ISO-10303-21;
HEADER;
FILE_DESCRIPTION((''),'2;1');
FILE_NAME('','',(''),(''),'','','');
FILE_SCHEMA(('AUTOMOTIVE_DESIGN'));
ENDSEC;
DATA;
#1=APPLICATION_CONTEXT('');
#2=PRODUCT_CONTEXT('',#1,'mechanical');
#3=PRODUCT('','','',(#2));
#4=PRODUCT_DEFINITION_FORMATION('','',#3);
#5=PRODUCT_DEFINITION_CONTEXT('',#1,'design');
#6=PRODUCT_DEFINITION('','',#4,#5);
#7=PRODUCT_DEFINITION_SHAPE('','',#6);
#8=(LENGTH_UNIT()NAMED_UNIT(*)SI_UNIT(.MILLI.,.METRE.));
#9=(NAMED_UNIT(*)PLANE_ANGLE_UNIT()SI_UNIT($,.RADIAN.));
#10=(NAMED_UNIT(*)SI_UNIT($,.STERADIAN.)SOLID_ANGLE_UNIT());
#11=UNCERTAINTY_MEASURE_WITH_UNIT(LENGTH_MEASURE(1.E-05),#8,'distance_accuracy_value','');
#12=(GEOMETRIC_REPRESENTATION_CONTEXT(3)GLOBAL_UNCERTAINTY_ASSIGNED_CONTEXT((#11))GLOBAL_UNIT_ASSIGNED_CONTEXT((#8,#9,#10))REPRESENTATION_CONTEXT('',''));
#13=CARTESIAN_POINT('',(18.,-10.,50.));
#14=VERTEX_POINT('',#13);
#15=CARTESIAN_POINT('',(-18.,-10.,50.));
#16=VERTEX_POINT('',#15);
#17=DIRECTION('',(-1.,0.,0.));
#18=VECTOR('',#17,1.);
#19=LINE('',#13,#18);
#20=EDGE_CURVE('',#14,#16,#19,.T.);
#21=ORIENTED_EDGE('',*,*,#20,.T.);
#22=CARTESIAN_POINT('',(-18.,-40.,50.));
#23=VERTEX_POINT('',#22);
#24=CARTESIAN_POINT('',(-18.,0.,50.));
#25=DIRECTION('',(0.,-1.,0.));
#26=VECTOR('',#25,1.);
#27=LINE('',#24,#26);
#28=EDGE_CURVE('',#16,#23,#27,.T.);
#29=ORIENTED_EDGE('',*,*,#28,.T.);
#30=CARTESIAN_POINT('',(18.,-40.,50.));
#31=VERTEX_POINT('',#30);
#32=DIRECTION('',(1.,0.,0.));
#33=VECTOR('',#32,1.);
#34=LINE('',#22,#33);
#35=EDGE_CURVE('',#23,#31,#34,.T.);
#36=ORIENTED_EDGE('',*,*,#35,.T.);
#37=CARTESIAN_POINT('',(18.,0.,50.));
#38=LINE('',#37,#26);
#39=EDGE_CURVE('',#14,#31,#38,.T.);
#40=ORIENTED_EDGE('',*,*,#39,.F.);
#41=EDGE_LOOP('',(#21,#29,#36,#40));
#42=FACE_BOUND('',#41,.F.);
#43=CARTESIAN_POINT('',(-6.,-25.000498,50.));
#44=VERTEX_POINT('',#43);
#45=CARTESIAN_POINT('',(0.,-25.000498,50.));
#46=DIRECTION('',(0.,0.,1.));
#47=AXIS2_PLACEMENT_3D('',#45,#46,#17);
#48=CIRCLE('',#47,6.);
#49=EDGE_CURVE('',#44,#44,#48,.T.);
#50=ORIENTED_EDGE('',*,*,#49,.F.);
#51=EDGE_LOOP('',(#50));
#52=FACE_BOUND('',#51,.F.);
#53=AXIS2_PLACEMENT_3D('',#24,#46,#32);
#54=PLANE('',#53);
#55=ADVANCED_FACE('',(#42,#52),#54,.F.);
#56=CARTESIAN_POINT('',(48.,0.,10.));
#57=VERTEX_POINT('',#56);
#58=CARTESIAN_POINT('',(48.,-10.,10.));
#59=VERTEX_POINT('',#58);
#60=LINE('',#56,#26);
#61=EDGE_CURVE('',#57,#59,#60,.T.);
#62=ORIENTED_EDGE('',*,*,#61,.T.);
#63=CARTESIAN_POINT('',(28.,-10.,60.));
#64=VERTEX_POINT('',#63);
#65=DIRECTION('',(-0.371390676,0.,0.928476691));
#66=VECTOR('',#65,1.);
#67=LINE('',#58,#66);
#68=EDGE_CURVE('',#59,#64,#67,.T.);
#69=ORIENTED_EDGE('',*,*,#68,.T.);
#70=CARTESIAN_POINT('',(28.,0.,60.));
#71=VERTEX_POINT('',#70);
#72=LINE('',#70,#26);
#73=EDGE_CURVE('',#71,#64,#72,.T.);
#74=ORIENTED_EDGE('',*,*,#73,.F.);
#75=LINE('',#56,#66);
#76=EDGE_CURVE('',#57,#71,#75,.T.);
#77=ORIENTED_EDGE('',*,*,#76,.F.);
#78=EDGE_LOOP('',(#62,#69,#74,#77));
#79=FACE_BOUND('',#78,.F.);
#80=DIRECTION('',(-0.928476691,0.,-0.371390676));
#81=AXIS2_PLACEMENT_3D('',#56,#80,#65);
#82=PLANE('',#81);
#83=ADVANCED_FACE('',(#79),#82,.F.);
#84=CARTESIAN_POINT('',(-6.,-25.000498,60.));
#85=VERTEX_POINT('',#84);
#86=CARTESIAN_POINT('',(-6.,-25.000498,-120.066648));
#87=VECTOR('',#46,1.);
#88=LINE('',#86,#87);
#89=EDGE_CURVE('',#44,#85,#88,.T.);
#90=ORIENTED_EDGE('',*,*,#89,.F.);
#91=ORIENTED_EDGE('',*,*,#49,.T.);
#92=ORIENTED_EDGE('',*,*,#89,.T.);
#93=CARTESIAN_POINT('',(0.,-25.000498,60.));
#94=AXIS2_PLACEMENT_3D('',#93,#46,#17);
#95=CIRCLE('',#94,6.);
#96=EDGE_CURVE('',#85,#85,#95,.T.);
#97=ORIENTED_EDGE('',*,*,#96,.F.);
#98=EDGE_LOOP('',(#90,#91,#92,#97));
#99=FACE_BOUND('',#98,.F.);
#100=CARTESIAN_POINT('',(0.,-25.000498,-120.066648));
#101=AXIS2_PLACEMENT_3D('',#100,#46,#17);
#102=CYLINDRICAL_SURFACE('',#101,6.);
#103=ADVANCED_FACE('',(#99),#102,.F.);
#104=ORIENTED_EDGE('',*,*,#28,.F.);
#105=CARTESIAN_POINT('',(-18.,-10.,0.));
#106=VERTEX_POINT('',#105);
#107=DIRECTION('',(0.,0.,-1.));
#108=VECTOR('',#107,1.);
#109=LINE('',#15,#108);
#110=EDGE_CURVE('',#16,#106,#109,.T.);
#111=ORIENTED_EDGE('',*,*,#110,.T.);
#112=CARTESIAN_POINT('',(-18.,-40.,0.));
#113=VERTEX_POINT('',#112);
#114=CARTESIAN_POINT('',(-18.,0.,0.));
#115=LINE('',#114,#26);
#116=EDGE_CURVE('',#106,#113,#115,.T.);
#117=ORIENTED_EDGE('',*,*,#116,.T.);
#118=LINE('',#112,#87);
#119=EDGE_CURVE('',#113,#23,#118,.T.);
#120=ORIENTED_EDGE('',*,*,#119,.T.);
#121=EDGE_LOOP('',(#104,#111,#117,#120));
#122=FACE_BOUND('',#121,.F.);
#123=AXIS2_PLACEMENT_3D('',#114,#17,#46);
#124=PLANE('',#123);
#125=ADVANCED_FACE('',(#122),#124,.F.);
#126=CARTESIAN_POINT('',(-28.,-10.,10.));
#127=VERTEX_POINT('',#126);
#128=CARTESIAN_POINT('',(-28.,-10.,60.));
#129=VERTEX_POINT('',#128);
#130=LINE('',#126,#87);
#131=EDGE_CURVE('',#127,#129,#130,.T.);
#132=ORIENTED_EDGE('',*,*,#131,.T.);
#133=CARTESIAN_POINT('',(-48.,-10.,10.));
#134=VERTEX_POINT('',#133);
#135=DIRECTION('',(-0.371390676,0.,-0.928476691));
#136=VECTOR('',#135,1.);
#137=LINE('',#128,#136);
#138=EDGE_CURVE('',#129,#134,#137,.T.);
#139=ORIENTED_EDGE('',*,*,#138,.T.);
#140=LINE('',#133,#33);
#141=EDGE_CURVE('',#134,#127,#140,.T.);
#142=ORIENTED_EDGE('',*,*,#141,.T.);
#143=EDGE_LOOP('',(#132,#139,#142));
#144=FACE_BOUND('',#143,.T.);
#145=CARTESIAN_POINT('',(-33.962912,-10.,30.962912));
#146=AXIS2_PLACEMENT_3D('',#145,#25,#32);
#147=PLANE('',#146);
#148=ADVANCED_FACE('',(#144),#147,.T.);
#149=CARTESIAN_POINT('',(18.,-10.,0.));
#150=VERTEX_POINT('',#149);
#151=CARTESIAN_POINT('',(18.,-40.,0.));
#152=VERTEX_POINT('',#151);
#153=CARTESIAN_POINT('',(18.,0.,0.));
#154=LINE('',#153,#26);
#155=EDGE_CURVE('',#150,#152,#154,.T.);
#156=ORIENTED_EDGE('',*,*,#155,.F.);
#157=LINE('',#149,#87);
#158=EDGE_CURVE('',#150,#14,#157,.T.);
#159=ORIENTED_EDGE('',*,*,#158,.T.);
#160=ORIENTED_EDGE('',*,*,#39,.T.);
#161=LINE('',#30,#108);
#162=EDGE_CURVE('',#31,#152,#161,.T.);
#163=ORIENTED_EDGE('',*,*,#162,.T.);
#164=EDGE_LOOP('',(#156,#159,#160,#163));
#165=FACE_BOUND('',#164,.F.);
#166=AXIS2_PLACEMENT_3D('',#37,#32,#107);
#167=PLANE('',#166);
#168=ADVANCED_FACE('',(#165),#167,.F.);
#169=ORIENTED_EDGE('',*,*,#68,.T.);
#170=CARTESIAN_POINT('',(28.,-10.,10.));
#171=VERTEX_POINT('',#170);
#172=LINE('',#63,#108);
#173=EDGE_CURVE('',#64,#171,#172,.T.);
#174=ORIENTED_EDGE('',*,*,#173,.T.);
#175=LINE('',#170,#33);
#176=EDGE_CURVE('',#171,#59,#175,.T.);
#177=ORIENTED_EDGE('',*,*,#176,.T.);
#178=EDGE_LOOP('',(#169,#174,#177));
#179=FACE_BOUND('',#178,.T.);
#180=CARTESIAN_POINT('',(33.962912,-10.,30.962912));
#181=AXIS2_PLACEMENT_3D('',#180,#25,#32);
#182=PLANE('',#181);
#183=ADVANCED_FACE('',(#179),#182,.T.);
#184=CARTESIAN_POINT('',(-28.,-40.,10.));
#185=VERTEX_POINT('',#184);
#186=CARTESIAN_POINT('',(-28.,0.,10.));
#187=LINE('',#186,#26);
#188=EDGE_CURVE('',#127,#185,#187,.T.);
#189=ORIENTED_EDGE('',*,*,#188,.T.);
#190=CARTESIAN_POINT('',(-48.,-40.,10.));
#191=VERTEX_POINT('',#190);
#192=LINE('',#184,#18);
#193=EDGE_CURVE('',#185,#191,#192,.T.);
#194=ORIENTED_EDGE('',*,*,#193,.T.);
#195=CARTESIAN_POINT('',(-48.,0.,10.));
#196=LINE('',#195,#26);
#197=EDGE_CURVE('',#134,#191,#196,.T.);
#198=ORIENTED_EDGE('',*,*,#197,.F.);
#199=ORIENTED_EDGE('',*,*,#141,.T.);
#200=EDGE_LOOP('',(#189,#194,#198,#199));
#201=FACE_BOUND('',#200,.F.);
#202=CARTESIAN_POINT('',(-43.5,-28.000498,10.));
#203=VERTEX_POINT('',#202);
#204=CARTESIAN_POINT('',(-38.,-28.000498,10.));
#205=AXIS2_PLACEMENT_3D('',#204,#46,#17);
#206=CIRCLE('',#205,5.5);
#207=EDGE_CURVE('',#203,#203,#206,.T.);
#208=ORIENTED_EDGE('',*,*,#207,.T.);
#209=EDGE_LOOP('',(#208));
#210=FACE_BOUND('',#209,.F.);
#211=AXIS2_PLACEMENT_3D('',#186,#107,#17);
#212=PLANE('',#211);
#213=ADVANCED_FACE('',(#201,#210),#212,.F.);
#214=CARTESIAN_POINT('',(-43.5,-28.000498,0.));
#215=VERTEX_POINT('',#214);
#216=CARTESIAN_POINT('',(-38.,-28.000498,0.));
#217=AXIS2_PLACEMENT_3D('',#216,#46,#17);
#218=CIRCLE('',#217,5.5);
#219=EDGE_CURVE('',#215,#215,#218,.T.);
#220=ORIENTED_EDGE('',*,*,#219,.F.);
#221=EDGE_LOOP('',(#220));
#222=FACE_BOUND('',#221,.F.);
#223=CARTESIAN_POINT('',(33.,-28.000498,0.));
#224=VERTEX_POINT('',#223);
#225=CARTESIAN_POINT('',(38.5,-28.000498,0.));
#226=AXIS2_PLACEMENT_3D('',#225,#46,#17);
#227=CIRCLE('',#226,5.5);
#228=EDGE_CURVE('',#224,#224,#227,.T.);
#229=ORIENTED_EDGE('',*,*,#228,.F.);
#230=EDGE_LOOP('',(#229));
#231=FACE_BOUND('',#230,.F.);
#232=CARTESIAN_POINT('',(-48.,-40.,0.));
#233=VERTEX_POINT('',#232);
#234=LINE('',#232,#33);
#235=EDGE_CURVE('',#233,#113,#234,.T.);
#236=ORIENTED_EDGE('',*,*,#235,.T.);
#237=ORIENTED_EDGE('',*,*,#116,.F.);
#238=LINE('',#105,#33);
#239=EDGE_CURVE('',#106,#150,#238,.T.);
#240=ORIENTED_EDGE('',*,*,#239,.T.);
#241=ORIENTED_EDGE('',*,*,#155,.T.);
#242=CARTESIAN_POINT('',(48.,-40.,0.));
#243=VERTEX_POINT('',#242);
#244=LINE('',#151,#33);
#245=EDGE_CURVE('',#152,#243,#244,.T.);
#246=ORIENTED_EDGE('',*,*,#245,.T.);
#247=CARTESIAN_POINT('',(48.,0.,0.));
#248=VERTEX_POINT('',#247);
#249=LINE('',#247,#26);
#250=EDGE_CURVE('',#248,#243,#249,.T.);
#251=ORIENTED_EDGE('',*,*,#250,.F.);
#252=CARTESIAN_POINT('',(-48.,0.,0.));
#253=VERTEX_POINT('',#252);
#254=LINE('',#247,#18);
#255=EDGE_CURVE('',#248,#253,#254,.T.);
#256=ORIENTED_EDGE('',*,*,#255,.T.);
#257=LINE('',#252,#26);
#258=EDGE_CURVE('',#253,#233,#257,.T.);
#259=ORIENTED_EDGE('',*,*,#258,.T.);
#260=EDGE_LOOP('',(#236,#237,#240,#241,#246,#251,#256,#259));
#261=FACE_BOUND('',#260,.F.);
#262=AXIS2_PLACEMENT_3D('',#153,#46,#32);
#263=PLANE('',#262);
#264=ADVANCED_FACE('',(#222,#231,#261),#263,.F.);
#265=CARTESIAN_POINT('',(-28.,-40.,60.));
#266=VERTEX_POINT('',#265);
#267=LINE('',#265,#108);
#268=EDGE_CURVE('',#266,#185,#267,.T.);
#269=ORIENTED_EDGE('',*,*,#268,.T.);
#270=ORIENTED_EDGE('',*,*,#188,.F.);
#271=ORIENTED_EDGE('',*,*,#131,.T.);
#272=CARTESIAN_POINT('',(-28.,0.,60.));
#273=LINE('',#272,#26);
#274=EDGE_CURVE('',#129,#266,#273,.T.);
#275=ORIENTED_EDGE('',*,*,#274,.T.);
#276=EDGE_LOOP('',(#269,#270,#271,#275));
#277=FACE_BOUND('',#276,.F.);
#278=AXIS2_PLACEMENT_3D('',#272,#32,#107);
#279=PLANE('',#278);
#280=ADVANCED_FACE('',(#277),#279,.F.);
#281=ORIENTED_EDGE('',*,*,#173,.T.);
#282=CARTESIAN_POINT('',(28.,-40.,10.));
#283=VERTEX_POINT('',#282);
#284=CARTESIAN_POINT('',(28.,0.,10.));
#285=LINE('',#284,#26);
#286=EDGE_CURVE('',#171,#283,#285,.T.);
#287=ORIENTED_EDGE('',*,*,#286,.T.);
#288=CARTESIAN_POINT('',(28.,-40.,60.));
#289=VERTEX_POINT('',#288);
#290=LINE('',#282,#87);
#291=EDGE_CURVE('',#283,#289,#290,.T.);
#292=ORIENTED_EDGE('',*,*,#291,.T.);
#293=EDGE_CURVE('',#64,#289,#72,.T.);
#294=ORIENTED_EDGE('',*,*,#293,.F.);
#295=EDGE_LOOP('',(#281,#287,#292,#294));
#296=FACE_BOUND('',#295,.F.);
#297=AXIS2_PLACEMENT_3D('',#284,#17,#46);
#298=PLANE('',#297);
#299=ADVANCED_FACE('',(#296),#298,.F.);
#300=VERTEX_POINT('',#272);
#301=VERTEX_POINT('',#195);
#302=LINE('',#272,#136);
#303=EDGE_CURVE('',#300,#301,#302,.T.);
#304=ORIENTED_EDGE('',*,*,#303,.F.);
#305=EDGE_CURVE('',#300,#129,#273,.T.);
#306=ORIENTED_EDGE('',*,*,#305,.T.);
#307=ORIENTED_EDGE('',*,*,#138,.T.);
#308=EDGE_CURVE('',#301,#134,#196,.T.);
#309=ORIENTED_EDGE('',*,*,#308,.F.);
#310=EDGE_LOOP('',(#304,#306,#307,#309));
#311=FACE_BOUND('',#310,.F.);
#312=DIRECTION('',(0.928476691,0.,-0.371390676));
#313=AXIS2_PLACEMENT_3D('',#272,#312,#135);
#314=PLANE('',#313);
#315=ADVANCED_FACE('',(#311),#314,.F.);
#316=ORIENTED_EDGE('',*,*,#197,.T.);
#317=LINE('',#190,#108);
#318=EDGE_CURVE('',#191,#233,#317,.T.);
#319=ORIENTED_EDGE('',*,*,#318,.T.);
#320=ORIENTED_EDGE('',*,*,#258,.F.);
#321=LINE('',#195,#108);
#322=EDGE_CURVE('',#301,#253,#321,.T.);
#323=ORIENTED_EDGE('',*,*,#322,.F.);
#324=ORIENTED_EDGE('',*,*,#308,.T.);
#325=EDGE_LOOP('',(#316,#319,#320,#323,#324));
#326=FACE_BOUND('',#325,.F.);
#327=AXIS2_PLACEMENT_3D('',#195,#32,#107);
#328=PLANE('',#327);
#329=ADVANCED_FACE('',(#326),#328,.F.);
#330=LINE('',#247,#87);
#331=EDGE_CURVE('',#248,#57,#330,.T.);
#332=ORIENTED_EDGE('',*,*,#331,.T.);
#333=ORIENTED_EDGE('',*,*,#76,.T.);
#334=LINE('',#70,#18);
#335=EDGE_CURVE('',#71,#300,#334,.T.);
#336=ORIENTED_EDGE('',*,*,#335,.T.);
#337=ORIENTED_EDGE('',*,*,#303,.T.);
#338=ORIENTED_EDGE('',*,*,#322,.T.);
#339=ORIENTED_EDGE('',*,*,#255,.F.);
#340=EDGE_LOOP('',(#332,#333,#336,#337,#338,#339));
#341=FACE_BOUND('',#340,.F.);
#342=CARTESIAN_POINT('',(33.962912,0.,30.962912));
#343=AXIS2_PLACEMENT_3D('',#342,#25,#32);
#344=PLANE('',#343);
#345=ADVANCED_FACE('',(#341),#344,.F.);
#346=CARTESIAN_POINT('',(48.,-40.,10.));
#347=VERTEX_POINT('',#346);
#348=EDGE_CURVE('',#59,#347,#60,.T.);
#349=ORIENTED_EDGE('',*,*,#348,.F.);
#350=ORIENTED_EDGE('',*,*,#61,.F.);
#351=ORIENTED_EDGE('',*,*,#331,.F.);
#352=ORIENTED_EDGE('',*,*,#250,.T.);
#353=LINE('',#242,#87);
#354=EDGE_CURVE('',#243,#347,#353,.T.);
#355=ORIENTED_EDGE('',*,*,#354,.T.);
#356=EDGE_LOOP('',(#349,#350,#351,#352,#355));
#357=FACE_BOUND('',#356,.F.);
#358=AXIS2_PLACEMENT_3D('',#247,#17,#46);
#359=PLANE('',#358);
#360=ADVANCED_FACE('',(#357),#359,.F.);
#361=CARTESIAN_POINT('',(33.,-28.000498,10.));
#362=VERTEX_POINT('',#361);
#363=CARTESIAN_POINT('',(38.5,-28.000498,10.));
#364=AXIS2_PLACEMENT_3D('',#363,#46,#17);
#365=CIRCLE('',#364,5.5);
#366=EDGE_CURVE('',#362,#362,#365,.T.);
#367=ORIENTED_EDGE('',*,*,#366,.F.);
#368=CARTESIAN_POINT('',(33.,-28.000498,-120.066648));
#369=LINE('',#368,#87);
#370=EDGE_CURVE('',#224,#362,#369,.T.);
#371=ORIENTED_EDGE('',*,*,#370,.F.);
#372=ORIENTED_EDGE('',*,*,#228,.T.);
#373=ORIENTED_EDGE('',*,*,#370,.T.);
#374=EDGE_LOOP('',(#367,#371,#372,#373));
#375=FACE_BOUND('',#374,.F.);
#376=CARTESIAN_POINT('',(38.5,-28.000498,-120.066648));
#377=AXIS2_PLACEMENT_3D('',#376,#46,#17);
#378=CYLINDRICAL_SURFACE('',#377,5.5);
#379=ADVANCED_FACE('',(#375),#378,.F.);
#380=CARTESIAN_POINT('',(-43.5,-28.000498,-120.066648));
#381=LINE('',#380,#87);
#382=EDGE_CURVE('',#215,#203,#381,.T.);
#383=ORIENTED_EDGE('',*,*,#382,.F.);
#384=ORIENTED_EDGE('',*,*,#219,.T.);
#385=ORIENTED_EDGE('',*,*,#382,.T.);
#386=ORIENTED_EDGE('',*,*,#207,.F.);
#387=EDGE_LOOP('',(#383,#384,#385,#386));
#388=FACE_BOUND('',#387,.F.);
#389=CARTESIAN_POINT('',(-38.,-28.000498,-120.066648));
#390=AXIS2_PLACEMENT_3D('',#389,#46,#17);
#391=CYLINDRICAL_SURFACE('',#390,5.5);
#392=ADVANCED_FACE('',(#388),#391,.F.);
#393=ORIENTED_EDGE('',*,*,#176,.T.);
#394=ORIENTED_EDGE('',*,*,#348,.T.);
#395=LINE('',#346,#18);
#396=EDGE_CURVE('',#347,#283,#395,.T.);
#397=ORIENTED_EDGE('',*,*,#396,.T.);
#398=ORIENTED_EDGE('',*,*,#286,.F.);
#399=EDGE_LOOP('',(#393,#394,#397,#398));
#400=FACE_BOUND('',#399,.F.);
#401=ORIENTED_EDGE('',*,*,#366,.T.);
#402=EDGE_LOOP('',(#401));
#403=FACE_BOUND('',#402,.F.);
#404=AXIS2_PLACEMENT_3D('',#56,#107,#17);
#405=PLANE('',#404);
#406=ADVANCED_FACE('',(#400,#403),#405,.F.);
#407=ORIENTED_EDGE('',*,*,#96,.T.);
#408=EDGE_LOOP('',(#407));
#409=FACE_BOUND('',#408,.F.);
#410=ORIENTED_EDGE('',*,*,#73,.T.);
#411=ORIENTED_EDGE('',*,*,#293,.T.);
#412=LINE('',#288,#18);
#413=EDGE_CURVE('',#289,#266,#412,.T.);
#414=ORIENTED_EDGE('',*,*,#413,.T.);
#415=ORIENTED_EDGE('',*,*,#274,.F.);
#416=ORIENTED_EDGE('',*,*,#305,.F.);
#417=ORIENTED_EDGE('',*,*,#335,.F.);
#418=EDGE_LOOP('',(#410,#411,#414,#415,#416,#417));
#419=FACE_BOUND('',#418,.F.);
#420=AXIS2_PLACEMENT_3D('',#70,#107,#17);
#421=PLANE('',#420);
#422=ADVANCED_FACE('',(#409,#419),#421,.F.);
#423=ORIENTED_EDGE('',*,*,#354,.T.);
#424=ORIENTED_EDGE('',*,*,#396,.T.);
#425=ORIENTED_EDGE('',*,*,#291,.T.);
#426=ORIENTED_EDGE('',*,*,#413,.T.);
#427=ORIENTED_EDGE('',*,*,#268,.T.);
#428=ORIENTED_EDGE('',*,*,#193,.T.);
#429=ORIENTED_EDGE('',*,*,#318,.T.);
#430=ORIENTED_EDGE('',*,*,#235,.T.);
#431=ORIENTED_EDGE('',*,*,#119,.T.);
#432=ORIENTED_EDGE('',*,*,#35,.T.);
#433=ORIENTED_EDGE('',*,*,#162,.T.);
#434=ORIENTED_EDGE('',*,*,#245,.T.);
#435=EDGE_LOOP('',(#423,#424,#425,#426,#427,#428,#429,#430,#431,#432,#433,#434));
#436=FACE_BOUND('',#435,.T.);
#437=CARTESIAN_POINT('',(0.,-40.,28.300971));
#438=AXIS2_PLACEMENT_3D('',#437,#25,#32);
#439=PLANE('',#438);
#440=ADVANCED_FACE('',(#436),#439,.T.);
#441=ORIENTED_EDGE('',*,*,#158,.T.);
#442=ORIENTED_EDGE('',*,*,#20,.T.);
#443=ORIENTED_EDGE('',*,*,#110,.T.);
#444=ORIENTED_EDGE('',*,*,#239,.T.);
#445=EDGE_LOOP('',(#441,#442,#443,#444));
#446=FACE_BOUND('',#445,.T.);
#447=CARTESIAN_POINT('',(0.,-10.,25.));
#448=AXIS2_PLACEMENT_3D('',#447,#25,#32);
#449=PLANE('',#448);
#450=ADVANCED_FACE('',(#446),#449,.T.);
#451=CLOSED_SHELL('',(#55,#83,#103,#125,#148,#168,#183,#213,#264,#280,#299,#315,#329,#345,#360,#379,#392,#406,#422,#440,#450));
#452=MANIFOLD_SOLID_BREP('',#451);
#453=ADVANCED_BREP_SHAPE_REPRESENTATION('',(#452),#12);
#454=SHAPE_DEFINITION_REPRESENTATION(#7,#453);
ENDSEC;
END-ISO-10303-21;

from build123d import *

# Parameters (mm, degrees)
F2_DEPTH = 40
F3_DEPTH = 10
F4_D     = 12
F5_D     = 11
F6_D     = 11


with BuildPart() as f2:
    # F0 (on Front) → F2 (new body)
    with BuildSketch(Plane.XZ):
        Polygon((-48, 10), (-48, 0), (-18, 0), (-18, 50), (18, 50), (18, 0), (48, 0), (48, 10), (28, 10), (28, 60), (-28, 60), (-28, 10), align=None)
    extrude(amount=F2_DEPTH)

    # F0 (on Front) → F3 (join)
    with BuildSketch(Plane.XZ):
        Polygon((48, 10), (28, 60), (28, 10), align=None)
        Polygon((-28, 60), (-48, 10), (-28, 10), align=None)
        Polygon((-18, 50), (-18, 0), (0, 0), (18, 0), (18, 50), align=None)
    extrude(amount=F3_DEPTH)

    # F4 (through all)
    with Locations(Plane(origin=(0, 0, 0), x_dir=(1, 0, 0), z_dir=(0, 0, -1))):
        with Locations((-4.172e-07, 25.0004983976)):
            Hole(F4_D / 2)

    # F5 (through all)
    with Locations(Plane(origin=(0, 0, 0), x_dir=(1, 0, 0), z_dir=(0, 0, -1))):
        with Locations((38.4999995828, 28.0004983976)):
            Hole(F5_D / 2)

    # F6 (through all)
    with Locations(Plane(origin=(0, 0, 0), x_dir=(1, 0, 0), z_dir=(0, 0, -1))):
        with Locations((-38.0000004172, 28.0004983976)):
            Hole(F6_D / 2)


solid = f2.part
